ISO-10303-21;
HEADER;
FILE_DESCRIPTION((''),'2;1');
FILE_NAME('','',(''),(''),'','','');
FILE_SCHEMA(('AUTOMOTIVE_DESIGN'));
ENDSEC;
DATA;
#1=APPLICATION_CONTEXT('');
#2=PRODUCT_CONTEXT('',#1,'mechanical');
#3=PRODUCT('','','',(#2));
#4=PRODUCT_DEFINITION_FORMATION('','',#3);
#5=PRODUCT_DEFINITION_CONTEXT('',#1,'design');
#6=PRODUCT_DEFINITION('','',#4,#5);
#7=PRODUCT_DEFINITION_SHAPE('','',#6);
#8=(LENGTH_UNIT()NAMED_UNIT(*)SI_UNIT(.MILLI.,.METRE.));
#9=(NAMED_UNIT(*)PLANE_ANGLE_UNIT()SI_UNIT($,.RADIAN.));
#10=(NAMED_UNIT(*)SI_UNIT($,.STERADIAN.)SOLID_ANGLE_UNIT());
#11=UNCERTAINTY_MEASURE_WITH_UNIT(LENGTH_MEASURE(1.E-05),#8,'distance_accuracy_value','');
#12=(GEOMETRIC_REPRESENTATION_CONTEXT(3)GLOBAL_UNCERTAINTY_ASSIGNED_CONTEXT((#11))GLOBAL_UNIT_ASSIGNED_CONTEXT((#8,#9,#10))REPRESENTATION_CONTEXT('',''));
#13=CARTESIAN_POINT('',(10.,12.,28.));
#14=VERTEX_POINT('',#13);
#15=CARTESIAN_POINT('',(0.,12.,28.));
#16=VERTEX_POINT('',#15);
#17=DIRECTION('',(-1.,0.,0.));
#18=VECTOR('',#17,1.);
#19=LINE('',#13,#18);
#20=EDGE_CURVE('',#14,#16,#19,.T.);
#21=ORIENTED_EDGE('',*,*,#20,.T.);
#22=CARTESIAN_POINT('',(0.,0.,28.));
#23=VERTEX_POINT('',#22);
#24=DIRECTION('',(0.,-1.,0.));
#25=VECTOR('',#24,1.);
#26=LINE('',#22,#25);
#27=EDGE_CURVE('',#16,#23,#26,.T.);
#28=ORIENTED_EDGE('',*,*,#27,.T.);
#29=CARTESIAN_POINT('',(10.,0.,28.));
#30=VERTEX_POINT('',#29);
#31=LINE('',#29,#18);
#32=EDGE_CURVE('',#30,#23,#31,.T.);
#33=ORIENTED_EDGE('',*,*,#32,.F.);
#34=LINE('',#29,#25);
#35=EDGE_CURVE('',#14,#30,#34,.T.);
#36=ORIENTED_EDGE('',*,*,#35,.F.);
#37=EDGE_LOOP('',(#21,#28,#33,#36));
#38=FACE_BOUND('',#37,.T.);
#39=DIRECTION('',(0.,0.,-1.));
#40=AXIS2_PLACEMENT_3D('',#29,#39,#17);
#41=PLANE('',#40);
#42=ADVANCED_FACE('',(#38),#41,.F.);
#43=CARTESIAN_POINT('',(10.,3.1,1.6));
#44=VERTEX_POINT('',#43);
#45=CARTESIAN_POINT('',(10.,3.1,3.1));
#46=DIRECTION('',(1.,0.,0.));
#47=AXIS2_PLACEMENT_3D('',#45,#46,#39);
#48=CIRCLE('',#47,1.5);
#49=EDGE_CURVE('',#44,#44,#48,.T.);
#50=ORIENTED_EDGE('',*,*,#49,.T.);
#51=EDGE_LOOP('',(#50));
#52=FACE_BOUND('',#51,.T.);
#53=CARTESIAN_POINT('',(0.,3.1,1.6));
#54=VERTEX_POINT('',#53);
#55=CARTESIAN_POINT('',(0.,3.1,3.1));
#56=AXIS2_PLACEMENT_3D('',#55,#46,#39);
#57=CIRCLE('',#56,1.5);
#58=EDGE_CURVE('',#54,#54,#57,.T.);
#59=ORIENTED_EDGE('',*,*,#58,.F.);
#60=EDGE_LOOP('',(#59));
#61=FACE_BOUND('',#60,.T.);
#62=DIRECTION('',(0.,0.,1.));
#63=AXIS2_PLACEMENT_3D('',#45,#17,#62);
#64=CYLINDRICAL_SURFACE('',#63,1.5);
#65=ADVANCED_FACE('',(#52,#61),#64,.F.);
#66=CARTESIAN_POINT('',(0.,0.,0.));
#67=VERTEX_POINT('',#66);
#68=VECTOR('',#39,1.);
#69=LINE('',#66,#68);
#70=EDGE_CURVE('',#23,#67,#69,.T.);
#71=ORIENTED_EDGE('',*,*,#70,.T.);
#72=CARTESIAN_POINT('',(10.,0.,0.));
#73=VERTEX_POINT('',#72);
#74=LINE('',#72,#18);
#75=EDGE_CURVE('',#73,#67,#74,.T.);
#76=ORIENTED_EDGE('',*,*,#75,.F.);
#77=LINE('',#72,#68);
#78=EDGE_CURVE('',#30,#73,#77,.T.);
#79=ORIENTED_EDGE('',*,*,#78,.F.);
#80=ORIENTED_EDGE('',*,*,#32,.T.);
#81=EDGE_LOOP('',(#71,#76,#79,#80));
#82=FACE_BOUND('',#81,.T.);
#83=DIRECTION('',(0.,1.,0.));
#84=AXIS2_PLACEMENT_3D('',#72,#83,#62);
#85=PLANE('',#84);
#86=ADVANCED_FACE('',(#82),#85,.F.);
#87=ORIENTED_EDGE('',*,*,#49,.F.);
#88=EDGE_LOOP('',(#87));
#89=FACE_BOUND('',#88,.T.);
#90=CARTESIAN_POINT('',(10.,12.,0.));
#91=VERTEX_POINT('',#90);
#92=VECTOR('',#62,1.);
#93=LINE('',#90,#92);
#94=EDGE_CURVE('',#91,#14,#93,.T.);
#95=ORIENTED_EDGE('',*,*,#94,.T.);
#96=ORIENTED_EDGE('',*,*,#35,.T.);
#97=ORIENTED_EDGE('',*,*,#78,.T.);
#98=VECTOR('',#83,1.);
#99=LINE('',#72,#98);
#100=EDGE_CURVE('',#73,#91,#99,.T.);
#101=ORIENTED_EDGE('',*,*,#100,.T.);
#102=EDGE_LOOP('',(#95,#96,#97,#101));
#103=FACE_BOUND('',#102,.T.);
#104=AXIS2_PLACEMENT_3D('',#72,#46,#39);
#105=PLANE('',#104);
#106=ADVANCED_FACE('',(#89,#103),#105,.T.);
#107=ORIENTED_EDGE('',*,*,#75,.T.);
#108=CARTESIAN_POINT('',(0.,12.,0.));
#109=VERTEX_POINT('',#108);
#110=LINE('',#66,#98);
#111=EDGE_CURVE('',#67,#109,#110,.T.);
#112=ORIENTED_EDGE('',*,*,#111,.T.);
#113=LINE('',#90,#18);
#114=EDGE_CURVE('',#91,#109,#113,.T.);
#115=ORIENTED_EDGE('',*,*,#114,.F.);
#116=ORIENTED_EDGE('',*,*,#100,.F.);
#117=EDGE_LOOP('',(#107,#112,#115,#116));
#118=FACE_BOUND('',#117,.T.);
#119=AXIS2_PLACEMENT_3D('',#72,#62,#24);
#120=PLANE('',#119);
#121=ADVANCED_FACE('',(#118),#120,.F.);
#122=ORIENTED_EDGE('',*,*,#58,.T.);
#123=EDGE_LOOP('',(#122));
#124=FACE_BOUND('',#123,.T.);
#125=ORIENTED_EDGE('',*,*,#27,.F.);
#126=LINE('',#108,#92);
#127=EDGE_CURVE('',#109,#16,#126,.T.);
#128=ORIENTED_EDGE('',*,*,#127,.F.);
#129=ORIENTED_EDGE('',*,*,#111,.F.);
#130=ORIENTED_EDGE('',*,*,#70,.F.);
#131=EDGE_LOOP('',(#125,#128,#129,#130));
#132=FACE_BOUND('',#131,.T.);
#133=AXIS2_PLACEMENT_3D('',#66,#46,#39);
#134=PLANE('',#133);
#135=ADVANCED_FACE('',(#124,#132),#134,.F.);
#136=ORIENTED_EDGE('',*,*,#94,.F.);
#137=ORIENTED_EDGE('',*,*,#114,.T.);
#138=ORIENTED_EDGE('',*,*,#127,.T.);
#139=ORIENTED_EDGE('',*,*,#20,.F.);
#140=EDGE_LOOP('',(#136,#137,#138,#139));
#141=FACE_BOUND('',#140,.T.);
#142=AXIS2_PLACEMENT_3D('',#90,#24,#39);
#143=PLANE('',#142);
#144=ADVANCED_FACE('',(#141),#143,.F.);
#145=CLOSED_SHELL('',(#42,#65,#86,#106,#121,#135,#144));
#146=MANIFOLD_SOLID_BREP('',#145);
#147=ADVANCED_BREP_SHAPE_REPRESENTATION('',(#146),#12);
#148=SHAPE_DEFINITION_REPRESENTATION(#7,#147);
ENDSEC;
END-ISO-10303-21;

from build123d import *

# Parameters (mm, degrees)
SKETCH_1_W      = 28
SKETCH_1_H      = 12
SKETCH_1_R      = 1.5
EXTRUDE_1_DEPTH = 10


with BuildPart() as part:
    # 草图1 → 凸台-拉伸1 (new body)
    with BuildSketch(Plane(origin=(0, 0, 0), x_dir=(0, 0, -1), z_dir=(1, 0, 0))):
        with Locations((-14, 6)):
            Rectangle(SKETCH_1_W, SKETCH_1_H)
        with Locations((-3.1, 3.1)):
            Circle(SKETCH_1_R, mode=Mode.SUBTRACT)
    extrude(amount=EXTRUDE_1_DEPTH)


solid = part.part
